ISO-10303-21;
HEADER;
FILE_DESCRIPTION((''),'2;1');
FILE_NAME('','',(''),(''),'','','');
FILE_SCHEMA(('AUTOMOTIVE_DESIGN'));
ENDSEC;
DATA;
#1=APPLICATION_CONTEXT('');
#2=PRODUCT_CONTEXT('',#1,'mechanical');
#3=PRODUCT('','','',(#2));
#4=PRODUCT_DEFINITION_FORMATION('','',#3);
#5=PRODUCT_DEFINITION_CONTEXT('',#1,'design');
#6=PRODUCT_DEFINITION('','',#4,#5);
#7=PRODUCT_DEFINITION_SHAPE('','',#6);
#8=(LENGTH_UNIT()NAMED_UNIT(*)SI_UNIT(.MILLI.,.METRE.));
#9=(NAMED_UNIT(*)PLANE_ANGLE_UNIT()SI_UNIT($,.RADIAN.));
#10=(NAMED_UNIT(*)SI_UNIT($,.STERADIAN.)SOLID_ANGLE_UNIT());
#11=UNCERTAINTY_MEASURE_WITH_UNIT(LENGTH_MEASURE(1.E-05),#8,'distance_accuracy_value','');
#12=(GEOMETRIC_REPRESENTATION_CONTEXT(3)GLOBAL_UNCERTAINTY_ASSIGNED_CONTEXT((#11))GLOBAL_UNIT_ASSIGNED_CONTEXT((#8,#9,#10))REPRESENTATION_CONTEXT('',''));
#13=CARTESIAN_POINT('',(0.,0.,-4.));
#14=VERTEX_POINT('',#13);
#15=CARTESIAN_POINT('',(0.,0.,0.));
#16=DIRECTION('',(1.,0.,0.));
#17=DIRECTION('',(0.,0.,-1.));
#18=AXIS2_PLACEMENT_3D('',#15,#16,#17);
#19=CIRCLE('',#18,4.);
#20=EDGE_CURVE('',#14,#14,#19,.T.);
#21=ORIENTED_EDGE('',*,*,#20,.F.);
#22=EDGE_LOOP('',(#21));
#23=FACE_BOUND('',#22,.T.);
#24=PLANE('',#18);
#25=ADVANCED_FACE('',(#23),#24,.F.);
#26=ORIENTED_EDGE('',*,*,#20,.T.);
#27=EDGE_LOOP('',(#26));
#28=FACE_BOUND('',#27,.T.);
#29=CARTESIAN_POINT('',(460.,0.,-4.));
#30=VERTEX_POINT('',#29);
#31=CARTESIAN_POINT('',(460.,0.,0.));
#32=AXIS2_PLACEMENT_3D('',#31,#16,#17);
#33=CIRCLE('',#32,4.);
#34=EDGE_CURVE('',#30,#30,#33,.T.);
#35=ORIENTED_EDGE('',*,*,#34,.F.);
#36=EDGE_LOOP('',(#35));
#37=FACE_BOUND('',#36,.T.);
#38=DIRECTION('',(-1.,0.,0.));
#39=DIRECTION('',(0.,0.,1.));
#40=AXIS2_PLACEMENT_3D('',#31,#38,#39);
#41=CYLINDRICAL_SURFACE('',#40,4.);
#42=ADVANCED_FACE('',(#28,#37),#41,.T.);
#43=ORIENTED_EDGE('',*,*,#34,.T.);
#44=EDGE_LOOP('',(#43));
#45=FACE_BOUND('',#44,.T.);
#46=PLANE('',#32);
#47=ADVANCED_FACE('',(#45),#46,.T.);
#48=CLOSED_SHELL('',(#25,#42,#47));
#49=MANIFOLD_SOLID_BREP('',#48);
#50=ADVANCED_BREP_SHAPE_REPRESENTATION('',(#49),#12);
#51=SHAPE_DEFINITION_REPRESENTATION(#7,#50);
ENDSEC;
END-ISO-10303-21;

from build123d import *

# Parameters (mm, degrees)
SKETCH1_R           = 4
BOSS_EXTRUDE1_DEPTH = 460


with BuildPart() as part:
    # Sketch1 → Boss-Extrude1 (new body)
    with BuildSketch(Plane(origin=(0, 0, 0), x_dir=(0, 0, -1), z_dir=(1, 0, 0))):
        Circle(SKETCH1_R)
    extrude(amount=BOSS_EXTRUDE1_DEPTH)


solid = part.part
